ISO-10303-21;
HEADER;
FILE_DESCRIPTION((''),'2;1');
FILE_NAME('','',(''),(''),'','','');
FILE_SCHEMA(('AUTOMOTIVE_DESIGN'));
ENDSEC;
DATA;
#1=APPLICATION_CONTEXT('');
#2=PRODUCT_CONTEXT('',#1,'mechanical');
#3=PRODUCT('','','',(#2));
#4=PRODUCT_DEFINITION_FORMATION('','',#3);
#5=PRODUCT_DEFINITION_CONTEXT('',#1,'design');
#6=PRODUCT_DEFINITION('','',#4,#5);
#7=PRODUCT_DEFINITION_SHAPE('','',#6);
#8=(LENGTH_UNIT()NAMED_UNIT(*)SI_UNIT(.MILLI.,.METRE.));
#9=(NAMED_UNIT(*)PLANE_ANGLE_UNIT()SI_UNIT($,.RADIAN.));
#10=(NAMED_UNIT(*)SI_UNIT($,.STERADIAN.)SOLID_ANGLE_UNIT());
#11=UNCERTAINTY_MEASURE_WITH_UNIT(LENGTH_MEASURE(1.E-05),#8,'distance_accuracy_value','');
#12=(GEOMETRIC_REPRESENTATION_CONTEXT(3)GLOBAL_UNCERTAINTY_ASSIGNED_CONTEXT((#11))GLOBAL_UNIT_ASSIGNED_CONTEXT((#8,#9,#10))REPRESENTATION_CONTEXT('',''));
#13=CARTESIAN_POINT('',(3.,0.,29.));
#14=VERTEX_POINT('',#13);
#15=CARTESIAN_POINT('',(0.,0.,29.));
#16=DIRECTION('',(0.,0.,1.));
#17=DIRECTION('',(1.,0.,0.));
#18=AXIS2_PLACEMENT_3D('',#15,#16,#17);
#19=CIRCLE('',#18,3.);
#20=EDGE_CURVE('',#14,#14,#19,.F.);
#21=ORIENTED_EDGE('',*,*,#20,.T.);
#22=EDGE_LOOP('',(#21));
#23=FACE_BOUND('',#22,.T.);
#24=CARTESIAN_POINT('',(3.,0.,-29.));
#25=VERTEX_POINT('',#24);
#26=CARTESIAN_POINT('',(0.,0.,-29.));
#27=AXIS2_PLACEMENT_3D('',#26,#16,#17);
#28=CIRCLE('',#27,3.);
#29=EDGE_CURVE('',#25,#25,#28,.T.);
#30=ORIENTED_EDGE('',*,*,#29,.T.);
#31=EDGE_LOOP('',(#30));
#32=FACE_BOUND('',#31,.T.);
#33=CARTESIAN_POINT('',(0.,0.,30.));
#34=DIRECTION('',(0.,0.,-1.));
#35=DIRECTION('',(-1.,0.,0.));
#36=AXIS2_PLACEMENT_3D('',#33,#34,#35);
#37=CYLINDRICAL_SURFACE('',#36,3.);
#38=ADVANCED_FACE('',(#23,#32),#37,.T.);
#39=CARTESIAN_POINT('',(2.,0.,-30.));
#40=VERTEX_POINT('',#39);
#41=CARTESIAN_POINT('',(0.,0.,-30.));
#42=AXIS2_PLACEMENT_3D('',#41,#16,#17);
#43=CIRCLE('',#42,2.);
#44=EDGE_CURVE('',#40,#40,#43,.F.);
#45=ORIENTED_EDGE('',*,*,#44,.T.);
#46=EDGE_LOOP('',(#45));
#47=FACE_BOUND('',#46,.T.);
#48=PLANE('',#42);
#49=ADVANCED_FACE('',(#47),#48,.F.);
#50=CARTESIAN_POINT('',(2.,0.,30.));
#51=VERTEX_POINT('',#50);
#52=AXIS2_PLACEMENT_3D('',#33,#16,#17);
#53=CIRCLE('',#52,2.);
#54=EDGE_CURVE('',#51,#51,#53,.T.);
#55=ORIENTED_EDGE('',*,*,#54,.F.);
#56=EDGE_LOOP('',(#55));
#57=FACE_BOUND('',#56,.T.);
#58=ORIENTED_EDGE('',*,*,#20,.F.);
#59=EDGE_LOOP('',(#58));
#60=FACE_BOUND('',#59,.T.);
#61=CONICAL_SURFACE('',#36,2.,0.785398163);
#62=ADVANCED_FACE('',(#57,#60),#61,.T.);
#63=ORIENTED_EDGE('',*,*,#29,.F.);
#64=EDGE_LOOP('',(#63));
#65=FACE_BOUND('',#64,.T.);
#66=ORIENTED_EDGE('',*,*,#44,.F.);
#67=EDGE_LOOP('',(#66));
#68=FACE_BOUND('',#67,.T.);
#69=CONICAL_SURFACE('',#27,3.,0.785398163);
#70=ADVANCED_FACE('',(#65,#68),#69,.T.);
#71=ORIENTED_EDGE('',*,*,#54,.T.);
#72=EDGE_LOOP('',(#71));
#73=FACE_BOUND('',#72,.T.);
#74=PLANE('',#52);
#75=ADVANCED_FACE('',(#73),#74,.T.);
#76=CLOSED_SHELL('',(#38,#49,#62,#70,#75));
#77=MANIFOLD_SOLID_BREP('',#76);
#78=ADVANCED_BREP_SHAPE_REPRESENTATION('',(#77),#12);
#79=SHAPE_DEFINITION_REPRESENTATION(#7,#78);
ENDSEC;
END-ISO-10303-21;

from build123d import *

# Parameters (mm, degrees)
SKETCH1_R           = 3
BOSS_EXTRUDE1_DEPTH = 30
CHAMFER1_SIZE       = 1
CHAMFER2_SIZE       = 1


with BuildPart() as part:
    # Sketch1 → Boss-Extrude1 (new body, symmetric)
    with BuildSketch(Plane.XY):
        Circle(SKETCH1_R)
    extrude(amount=BOSS_EXTRUDE1_DEPTH, both=True)

    # Chamfer1
    chamfer1_edges = [part.edges().sort_by_distance(p)[0] for p in [
        (-3, 0, 30),
    ]]
    chamfer(chamfer1_edges, length=CHAMFER1_SIZE)

    # Chamfer2
    chamfer2_edges = [part.edges().sort_by_distance(p)[0] for p in [
        (-3, 0, -30),
    ]]
    chamfer(chamfer2_edges, length=CHAMFER2_SIZE)


solid = part.part
